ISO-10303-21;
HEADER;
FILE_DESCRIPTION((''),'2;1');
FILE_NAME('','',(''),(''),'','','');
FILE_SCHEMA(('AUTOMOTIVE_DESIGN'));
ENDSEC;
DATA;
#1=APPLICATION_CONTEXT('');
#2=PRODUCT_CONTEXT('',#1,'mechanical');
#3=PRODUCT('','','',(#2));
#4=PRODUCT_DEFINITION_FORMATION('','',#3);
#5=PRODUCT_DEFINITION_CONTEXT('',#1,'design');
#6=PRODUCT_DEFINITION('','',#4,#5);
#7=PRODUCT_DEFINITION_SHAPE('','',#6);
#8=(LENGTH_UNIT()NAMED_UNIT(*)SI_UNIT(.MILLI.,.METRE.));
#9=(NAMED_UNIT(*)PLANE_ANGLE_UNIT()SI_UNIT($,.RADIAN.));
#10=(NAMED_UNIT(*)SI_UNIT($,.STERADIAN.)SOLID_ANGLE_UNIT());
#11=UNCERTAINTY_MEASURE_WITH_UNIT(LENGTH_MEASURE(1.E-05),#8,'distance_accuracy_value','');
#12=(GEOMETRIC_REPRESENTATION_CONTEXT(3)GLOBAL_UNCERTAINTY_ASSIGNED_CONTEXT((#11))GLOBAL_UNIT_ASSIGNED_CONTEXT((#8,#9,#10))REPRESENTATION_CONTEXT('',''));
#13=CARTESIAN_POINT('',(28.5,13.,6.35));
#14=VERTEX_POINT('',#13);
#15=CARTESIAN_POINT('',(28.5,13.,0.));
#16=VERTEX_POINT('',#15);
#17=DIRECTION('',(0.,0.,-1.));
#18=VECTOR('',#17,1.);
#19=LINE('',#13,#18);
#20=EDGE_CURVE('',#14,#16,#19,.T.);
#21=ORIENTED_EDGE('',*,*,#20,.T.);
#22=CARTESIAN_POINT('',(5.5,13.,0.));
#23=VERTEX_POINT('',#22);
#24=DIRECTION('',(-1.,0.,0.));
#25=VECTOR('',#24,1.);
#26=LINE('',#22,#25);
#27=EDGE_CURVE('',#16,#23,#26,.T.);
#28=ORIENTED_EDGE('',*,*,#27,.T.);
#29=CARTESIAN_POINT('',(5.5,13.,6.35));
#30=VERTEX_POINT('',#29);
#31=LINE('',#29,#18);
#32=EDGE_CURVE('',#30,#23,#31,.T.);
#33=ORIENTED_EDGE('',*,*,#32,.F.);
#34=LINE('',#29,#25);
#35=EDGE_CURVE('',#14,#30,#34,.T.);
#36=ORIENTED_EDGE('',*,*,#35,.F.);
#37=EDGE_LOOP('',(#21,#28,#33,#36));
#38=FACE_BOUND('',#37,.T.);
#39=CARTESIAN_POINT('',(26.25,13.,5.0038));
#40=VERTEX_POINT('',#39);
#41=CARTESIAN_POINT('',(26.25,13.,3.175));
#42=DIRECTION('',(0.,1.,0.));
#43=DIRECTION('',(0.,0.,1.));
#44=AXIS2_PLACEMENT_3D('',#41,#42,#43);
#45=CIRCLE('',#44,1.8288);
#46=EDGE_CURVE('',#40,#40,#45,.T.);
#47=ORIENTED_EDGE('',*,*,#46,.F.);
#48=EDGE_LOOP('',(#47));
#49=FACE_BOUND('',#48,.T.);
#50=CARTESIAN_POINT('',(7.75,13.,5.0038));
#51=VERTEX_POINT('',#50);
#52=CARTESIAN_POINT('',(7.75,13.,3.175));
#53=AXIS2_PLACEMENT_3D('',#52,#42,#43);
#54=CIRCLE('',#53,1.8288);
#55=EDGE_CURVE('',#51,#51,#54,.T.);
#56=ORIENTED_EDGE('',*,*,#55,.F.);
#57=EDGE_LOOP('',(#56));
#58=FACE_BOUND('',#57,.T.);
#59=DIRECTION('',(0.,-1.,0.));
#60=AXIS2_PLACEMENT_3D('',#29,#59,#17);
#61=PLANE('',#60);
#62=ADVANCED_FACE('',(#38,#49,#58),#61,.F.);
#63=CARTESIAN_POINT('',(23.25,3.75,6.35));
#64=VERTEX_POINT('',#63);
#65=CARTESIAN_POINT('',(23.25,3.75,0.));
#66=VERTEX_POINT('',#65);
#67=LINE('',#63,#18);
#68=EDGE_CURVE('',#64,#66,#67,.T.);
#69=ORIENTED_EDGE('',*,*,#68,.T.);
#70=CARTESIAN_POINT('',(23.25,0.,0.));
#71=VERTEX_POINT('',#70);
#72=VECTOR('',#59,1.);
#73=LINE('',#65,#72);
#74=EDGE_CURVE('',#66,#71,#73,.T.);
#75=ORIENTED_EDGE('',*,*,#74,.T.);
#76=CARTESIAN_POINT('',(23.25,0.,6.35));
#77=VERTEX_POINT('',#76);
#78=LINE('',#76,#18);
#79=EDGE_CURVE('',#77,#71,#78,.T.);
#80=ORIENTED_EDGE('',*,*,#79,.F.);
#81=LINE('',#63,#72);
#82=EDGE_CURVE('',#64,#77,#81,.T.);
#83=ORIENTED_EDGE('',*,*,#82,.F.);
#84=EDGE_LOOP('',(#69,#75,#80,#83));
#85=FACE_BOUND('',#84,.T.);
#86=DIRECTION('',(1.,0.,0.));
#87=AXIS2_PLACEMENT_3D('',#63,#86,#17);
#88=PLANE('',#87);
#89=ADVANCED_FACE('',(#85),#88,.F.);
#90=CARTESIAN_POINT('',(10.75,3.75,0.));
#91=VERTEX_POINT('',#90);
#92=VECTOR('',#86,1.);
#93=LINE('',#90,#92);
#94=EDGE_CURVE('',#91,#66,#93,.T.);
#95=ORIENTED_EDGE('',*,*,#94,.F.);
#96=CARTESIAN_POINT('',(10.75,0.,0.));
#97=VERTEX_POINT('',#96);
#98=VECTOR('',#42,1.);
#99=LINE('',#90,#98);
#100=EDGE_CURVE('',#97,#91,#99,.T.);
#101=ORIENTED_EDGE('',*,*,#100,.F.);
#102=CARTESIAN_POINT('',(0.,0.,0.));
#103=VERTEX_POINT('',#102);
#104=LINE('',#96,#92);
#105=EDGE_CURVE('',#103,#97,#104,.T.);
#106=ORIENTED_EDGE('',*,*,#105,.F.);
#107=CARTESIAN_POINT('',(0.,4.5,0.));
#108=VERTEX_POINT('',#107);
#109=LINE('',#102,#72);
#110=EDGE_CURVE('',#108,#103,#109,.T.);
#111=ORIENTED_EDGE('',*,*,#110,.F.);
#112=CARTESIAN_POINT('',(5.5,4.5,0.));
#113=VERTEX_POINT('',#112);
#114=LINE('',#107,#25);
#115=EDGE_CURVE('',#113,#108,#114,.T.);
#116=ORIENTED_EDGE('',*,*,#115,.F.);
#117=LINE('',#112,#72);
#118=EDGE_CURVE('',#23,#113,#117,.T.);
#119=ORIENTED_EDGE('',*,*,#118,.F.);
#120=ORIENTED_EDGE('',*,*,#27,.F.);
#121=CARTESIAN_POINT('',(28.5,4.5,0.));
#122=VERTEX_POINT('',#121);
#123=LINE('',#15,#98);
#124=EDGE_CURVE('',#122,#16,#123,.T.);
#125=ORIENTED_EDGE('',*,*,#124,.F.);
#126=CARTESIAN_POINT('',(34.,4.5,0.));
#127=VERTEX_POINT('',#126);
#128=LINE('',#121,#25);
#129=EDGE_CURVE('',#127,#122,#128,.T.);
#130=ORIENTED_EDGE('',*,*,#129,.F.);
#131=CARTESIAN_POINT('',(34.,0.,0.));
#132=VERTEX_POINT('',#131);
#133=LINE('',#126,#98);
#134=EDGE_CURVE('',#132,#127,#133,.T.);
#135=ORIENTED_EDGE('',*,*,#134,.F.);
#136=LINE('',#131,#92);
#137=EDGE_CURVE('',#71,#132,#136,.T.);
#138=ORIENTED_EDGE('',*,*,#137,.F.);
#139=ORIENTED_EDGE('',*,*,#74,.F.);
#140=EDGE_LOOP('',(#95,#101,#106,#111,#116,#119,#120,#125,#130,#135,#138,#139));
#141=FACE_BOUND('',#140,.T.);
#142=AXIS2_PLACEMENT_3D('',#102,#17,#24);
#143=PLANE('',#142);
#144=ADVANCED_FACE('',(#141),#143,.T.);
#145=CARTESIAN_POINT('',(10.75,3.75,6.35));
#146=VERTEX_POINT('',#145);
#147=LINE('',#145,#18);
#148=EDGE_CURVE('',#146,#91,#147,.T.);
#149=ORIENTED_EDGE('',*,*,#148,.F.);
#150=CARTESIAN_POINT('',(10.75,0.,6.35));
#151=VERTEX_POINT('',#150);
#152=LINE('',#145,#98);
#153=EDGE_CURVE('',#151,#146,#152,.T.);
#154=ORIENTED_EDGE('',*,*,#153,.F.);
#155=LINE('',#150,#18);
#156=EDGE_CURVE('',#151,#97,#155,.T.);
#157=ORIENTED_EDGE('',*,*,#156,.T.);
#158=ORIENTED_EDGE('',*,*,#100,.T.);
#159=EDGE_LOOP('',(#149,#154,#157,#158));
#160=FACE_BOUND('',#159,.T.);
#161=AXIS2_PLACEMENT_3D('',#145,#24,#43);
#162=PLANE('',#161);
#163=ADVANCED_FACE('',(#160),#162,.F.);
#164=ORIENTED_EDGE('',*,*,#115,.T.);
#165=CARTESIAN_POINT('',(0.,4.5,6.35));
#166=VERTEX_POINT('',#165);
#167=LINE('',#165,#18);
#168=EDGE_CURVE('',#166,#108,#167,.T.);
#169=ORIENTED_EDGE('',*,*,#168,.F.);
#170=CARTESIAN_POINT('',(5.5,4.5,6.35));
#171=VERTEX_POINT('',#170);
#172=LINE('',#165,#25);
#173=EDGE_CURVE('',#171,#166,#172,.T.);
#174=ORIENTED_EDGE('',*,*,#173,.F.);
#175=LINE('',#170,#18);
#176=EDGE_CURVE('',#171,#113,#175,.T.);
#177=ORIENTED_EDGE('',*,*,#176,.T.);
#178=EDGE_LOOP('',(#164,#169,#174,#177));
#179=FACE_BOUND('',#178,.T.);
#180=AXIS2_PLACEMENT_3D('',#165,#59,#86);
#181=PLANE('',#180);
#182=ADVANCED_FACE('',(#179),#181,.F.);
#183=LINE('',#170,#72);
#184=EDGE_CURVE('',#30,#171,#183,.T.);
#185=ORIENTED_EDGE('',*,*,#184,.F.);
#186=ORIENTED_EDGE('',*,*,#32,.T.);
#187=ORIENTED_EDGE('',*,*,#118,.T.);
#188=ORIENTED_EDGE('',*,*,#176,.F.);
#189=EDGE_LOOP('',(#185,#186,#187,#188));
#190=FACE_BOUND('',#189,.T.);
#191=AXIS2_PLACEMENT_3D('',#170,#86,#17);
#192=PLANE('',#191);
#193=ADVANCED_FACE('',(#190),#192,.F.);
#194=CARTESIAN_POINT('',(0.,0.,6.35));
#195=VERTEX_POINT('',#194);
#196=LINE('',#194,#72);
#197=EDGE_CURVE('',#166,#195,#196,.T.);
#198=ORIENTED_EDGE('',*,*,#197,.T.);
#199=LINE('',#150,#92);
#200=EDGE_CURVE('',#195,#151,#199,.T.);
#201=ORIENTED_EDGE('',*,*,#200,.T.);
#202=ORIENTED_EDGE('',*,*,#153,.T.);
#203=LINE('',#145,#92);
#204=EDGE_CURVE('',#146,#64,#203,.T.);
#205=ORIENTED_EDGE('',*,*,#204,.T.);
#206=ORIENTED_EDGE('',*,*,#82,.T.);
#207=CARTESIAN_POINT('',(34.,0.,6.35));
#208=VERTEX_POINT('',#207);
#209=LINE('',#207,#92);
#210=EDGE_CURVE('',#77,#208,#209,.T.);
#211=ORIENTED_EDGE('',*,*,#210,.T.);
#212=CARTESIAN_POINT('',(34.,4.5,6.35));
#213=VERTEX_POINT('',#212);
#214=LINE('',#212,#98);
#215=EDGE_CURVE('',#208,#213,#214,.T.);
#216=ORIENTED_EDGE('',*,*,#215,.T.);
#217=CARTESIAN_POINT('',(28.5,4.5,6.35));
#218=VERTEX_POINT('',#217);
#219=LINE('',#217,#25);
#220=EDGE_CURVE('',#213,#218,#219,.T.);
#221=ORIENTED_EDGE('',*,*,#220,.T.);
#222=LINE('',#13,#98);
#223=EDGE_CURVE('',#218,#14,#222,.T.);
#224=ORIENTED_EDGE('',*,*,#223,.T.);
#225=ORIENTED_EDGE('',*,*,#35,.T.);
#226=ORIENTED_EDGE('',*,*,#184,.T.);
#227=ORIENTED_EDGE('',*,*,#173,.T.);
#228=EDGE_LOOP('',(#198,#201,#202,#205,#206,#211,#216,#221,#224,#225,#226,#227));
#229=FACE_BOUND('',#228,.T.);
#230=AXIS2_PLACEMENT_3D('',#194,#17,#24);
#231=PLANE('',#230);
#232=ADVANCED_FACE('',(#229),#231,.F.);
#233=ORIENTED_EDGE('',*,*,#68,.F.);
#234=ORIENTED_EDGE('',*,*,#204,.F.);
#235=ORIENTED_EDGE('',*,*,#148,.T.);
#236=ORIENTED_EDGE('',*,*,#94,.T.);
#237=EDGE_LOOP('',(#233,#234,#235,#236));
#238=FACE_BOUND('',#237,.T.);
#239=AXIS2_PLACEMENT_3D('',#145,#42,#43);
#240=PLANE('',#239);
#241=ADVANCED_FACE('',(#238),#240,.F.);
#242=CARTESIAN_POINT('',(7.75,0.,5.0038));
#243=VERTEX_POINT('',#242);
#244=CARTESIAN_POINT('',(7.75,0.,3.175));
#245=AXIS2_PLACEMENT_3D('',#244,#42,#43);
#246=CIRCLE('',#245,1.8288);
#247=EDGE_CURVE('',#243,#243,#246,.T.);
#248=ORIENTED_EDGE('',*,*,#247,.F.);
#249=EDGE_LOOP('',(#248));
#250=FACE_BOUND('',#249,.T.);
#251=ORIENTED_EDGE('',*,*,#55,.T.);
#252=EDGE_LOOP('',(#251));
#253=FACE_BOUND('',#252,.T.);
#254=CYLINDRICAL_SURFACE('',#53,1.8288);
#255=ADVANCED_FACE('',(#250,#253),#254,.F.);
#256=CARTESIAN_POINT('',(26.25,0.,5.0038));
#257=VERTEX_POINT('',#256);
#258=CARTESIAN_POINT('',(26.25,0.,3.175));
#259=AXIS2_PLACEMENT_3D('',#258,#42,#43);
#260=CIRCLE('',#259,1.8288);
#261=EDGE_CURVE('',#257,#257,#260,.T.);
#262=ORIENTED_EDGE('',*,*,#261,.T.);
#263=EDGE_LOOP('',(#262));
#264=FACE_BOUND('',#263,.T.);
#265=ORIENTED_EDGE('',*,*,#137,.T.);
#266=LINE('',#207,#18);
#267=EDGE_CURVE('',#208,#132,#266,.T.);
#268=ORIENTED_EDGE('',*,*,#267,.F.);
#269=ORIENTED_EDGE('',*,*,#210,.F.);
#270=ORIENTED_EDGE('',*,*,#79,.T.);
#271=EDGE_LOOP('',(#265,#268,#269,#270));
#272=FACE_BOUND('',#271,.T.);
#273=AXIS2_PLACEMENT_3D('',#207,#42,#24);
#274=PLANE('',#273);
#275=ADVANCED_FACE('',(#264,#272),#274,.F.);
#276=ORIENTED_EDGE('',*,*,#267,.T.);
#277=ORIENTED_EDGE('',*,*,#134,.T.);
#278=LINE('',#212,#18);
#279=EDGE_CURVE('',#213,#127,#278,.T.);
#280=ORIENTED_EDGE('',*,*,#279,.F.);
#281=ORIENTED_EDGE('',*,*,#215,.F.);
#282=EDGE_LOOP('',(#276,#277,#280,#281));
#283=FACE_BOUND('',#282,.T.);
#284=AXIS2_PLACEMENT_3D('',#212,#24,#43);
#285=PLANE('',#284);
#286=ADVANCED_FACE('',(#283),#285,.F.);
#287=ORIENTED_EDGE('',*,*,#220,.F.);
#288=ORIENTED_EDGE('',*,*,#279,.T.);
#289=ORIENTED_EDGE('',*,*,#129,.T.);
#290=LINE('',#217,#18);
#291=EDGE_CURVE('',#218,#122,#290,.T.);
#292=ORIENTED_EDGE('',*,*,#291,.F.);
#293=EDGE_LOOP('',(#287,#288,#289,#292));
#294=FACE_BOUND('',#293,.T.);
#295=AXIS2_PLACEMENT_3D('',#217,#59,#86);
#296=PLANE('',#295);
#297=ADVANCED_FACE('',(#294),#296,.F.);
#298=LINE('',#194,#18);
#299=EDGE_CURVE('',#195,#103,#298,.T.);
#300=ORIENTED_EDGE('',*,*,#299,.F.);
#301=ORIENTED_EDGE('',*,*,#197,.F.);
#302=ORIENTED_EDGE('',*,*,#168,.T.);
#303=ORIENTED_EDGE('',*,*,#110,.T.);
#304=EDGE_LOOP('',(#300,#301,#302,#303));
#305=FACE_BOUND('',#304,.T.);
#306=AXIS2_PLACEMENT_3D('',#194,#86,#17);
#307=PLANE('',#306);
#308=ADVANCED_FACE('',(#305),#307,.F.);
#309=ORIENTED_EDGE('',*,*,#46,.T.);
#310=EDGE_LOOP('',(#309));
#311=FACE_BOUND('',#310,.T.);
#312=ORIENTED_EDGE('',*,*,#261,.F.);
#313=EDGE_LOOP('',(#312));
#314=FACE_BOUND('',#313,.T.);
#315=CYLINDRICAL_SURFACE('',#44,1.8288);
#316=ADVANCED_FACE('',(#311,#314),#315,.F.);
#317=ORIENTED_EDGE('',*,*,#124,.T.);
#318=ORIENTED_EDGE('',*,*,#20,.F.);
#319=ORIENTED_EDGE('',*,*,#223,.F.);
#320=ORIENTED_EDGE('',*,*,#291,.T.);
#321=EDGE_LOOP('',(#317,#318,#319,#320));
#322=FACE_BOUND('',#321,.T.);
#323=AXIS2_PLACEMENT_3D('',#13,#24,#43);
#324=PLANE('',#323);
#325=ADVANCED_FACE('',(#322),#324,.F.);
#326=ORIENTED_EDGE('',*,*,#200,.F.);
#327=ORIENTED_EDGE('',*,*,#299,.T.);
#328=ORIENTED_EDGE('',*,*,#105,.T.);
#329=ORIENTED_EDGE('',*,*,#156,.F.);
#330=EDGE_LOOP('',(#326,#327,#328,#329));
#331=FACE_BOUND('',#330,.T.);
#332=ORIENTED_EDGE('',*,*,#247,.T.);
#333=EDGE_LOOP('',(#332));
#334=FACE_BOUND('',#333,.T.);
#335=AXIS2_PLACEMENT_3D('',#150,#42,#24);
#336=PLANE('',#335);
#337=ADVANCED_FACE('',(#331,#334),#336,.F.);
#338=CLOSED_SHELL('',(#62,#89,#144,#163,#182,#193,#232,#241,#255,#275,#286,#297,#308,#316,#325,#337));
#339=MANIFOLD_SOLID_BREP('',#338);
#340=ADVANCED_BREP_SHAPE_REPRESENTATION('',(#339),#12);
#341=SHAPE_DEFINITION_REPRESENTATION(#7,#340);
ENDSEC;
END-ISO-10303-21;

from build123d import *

# Parameters (mm, degrees)
BOSS_EXTRUDE1_DEPTH   = 6.35
F_6_CLEARANCE_HOLE1_D = 3.6576


with BuildPart() as part:
    # Sketch1 → Boss-Extrude1 (new body)
    with BuildSketch(Plane.XY):
        Polygon((0, 0), (0, 4.5), (5.5, 4.5), (5.5, 13), (28.5, 13), (28.5, 4.5), (34, 4.5), (34, 0), (23.25, 0), (23.25, 3.75), (10.75, 3.75), (10.75, 0), align=None)
    extrude(amount=BOSS_EXTRUDE1_DEPTH)

    # #6 Clearance Hole1 (through all)
    with Locations(Plane(origin=(26.25, 13, 3.175), x_dir=(0, 0, 1), z_dir=(0, 1, 0))):
        with Locations((0, 0), (0, -18.5)):
            Hole(F_6_CLEARANCE_HOLE1_D / 2)


solid = part.part
